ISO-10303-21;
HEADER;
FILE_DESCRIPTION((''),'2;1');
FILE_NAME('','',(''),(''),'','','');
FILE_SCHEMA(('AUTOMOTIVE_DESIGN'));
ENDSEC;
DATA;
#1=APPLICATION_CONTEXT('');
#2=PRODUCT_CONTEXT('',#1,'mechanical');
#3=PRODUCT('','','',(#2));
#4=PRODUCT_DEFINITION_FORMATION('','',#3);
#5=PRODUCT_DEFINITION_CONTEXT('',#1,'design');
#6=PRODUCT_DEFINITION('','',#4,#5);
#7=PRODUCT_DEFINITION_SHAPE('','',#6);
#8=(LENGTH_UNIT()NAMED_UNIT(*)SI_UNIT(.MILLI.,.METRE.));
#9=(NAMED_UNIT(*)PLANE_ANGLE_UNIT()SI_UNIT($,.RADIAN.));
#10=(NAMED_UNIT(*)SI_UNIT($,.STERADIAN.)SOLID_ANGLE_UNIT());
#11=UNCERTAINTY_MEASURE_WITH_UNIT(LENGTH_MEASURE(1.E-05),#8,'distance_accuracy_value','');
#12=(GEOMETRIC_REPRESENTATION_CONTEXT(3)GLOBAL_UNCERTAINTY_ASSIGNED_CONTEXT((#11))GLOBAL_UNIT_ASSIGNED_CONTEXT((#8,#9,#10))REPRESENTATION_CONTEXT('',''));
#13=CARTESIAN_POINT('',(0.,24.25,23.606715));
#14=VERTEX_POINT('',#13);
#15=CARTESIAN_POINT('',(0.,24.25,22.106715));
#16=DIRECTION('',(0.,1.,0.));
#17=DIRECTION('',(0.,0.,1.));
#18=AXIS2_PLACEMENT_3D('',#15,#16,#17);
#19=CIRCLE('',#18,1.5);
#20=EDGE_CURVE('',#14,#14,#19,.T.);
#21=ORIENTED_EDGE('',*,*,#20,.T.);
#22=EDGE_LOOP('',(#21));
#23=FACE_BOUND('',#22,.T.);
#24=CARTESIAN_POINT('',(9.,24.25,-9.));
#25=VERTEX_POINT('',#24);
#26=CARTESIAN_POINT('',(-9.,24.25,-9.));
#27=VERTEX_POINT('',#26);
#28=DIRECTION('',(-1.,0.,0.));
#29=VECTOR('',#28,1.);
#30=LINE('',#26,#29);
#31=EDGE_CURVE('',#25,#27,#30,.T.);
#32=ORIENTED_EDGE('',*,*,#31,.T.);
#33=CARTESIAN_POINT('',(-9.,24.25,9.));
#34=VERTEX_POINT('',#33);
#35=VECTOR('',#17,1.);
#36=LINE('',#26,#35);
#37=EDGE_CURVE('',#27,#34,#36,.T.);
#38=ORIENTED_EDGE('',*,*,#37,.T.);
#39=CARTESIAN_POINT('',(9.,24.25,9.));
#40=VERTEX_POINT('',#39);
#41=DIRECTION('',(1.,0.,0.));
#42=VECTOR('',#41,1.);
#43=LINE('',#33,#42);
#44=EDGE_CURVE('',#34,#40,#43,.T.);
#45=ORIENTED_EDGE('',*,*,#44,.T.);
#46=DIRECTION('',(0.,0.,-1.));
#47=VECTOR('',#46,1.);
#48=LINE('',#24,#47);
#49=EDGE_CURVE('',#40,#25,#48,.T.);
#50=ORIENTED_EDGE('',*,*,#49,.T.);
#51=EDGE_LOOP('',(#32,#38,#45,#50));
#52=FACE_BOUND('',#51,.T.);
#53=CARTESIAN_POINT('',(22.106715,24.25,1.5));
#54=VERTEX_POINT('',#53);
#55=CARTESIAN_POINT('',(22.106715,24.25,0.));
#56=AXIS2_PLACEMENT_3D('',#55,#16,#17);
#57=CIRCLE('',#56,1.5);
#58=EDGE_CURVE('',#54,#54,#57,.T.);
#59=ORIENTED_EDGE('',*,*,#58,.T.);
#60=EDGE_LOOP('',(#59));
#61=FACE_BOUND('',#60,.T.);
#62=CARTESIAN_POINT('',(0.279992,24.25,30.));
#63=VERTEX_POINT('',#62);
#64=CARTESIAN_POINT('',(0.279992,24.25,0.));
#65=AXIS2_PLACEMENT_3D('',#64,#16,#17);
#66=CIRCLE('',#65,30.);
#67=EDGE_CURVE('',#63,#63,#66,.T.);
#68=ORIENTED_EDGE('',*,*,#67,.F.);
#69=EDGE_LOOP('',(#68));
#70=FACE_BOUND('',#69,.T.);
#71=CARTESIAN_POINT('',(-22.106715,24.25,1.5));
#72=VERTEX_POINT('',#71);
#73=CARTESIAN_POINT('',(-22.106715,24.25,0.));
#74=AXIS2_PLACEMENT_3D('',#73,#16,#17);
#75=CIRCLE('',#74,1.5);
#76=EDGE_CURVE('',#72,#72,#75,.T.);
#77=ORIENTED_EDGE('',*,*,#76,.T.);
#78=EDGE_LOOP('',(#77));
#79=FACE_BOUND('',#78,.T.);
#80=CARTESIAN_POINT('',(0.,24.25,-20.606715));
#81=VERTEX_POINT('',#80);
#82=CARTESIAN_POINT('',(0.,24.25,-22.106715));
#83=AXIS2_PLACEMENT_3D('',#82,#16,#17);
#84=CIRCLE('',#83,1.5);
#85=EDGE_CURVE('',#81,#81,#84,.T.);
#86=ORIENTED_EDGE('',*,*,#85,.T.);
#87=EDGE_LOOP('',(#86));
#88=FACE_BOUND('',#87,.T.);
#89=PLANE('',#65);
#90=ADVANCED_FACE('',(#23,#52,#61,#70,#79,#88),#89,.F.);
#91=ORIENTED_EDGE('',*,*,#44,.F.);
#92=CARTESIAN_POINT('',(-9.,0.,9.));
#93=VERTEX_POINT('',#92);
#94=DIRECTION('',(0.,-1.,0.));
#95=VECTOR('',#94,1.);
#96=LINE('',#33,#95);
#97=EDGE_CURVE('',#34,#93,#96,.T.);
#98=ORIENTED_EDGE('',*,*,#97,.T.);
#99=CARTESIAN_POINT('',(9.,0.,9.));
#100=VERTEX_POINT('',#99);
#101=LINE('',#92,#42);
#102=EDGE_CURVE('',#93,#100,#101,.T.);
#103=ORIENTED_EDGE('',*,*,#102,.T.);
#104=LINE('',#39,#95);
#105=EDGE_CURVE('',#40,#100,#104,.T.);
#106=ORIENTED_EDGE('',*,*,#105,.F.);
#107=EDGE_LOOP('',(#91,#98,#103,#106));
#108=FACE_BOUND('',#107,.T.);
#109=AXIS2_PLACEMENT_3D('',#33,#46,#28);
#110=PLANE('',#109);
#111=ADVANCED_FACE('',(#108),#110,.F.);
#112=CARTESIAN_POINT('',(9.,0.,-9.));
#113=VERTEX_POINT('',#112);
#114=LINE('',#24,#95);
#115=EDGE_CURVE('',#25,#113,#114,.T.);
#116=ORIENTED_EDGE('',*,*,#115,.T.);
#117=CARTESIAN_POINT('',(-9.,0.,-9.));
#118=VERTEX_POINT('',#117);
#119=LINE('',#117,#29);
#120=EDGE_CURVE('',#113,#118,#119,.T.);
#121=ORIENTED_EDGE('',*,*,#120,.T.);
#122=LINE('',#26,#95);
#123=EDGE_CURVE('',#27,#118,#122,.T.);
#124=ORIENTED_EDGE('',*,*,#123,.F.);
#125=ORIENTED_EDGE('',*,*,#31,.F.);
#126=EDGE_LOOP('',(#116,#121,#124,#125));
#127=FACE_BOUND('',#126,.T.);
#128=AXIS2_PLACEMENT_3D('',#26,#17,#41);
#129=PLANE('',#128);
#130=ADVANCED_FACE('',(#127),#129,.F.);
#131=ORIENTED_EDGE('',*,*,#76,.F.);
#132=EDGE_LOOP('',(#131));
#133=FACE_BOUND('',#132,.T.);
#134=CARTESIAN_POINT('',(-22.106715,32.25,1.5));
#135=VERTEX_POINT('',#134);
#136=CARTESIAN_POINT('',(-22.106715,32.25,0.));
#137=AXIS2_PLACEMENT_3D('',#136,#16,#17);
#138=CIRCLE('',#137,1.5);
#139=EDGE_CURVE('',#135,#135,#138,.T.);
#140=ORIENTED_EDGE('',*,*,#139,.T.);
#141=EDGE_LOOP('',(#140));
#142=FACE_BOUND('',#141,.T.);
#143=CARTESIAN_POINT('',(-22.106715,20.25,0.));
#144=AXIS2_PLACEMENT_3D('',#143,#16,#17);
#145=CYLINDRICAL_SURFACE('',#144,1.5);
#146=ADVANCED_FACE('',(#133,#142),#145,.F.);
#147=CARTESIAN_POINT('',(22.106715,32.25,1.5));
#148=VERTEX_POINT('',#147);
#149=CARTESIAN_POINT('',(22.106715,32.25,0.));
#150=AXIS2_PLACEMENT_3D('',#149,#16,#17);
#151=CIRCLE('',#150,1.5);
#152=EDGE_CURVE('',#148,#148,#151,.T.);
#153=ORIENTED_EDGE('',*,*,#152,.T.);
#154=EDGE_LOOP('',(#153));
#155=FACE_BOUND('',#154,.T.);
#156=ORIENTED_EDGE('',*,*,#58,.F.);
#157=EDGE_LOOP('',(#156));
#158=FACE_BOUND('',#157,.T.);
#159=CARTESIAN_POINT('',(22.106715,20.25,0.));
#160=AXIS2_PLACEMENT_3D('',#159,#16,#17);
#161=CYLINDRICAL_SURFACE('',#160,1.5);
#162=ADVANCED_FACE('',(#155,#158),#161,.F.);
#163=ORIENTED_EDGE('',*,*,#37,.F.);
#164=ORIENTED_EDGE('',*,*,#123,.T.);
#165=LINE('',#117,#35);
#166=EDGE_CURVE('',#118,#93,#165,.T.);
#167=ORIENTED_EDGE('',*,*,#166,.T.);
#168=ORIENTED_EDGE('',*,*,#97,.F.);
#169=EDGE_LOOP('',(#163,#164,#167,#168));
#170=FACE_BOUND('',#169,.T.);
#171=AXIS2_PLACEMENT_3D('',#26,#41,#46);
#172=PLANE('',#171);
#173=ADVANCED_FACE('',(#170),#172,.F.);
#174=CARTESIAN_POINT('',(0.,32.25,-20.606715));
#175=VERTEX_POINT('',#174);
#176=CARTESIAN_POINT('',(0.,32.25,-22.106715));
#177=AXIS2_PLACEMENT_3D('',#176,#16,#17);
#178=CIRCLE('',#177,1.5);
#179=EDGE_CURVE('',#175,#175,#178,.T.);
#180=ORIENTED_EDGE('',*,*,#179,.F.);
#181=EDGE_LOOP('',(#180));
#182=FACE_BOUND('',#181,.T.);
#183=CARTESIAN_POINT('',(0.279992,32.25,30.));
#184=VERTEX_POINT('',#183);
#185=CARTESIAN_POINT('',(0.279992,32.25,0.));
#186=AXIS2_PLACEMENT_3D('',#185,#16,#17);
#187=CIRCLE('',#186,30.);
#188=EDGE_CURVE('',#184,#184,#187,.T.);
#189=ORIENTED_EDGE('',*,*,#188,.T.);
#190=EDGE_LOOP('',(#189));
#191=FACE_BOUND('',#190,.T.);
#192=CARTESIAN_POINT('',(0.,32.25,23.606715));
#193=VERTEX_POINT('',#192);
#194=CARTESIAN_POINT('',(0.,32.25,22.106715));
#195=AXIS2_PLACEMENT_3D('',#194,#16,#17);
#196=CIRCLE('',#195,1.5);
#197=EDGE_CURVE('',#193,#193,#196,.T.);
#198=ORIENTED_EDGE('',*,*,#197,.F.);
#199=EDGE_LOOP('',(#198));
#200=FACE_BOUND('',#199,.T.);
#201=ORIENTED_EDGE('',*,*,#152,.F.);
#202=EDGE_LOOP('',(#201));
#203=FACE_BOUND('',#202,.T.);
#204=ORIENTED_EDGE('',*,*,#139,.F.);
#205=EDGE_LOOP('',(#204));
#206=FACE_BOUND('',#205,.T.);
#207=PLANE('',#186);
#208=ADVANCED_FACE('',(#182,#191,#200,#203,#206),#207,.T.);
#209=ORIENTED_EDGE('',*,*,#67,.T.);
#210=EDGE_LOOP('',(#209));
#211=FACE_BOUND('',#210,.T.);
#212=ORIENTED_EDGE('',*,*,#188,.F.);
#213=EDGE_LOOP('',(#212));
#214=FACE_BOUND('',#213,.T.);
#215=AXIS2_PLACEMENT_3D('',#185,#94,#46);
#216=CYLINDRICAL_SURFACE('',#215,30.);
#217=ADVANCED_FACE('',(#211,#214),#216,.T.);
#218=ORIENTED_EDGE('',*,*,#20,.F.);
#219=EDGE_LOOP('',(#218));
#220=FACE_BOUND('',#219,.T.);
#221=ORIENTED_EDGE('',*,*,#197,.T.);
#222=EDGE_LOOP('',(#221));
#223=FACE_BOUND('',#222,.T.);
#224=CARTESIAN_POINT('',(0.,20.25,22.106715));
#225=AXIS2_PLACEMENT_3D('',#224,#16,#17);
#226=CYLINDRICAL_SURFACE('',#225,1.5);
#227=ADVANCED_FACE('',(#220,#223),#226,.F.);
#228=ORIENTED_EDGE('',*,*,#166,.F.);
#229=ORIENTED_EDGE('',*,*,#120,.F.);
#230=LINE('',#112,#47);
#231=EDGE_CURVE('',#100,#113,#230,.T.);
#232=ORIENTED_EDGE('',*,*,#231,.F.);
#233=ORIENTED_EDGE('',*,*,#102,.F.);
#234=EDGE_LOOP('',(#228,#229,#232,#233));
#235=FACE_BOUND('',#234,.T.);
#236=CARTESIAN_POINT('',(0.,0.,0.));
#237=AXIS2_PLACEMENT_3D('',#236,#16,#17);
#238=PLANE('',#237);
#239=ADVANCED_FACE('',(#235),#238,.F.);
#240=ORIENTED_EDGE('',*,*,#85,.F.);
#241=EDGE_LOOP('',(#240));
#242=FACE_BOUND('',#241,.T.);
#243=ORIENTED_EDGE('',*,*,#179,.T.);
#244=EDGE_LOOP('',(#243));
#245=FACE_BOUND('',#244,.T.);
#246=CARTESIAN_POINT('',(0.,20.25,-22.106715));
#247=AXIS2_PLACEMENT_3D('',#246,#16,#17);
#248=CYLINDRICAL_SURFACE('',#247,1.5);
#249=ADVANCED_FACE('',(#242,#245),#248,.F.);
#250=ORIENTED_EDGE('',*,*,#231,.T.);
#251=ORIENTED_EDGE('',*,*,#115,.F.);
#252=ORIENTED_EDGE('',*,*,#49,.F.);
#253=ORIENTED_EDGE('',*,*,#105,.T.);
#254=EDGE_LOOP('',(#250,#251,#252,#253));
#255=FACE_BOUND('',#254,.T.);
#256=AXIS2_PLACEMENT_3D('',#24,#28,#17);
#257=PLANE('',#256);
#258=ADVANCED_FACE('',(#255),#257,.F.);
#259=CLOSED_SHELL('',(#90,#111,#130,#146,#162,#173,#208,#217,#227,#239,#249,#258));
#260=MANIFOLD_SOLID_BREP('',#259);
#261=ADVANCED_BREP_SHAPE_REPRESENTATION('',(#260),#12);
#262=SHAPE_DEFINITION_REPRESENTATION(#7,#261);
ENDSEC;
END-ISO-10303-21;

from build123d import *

# Parameters (mm, degrees)
SKETCH1_W           = 18
SKETCH1_H           = 18
BOSS_EXTRUDE1_DEPTH = 24.25
SKETCH2_R           = 30
BOSS_EXTRUDE2_DEPTH = 8
SKETCH3_R           = 1.5
CUT_EXTRUDE1_DEPTH  = 12


with BuildPart() as part:
    # Sketch1 → Boss-Extrude1 (new body)
    with BuildSketch(Plane(origin=(0, 0, 0), x_dir=(1, 0, 0), z_dir=(0, 1, 0))):
        Rectangle(SKETCH1_W, SKETCH1_H)
    extrude(amount=BOSS_EXTRUDE1_DEPTH)

    # Sketch2 → Boss-Extrude2 (add)
    with BuildSketch(Plane(origin=(0, 24.25, 0), x_dir=(1, 0, 0), z_dir=(0, 1, 0))):
        with Locations(Location((0.279992144, 0, 0), (0, 0, 270))):
            Circle(SKETCH2_R)
    extrude(amount=BOSS_EXTRUDE2_DEPTH)

    # Sketch3 → Cut-Extrude1 (cut)
    with BuildSketch(Plane(origin=(0, 32.25, 0), x_dir=(1, 0, 0), z_dir=(0, 1, 0))):
        with Locations(Location((0, 22.106714755, 0), (0, 0, 270))):
            Circle(SKETCH3_R)
        with Locations(Location((22.106714755, 0, 0), (0, 0, 270))):
            Circle(SKETCH3_R)
        with Locations(Location((0, -22.106714755, 0), (0, 0, 270))):
            Circle(SKETCH3_R)
        with Locations(Location((-22.106714755, 0, 0), (0, 0, 270))):
            Circle(SKETCH3_R)
    extrude(amount=-CUT_EXTRUDE1_DEPTH, mode=Mode.SUBTRACT)


solid = part.part
